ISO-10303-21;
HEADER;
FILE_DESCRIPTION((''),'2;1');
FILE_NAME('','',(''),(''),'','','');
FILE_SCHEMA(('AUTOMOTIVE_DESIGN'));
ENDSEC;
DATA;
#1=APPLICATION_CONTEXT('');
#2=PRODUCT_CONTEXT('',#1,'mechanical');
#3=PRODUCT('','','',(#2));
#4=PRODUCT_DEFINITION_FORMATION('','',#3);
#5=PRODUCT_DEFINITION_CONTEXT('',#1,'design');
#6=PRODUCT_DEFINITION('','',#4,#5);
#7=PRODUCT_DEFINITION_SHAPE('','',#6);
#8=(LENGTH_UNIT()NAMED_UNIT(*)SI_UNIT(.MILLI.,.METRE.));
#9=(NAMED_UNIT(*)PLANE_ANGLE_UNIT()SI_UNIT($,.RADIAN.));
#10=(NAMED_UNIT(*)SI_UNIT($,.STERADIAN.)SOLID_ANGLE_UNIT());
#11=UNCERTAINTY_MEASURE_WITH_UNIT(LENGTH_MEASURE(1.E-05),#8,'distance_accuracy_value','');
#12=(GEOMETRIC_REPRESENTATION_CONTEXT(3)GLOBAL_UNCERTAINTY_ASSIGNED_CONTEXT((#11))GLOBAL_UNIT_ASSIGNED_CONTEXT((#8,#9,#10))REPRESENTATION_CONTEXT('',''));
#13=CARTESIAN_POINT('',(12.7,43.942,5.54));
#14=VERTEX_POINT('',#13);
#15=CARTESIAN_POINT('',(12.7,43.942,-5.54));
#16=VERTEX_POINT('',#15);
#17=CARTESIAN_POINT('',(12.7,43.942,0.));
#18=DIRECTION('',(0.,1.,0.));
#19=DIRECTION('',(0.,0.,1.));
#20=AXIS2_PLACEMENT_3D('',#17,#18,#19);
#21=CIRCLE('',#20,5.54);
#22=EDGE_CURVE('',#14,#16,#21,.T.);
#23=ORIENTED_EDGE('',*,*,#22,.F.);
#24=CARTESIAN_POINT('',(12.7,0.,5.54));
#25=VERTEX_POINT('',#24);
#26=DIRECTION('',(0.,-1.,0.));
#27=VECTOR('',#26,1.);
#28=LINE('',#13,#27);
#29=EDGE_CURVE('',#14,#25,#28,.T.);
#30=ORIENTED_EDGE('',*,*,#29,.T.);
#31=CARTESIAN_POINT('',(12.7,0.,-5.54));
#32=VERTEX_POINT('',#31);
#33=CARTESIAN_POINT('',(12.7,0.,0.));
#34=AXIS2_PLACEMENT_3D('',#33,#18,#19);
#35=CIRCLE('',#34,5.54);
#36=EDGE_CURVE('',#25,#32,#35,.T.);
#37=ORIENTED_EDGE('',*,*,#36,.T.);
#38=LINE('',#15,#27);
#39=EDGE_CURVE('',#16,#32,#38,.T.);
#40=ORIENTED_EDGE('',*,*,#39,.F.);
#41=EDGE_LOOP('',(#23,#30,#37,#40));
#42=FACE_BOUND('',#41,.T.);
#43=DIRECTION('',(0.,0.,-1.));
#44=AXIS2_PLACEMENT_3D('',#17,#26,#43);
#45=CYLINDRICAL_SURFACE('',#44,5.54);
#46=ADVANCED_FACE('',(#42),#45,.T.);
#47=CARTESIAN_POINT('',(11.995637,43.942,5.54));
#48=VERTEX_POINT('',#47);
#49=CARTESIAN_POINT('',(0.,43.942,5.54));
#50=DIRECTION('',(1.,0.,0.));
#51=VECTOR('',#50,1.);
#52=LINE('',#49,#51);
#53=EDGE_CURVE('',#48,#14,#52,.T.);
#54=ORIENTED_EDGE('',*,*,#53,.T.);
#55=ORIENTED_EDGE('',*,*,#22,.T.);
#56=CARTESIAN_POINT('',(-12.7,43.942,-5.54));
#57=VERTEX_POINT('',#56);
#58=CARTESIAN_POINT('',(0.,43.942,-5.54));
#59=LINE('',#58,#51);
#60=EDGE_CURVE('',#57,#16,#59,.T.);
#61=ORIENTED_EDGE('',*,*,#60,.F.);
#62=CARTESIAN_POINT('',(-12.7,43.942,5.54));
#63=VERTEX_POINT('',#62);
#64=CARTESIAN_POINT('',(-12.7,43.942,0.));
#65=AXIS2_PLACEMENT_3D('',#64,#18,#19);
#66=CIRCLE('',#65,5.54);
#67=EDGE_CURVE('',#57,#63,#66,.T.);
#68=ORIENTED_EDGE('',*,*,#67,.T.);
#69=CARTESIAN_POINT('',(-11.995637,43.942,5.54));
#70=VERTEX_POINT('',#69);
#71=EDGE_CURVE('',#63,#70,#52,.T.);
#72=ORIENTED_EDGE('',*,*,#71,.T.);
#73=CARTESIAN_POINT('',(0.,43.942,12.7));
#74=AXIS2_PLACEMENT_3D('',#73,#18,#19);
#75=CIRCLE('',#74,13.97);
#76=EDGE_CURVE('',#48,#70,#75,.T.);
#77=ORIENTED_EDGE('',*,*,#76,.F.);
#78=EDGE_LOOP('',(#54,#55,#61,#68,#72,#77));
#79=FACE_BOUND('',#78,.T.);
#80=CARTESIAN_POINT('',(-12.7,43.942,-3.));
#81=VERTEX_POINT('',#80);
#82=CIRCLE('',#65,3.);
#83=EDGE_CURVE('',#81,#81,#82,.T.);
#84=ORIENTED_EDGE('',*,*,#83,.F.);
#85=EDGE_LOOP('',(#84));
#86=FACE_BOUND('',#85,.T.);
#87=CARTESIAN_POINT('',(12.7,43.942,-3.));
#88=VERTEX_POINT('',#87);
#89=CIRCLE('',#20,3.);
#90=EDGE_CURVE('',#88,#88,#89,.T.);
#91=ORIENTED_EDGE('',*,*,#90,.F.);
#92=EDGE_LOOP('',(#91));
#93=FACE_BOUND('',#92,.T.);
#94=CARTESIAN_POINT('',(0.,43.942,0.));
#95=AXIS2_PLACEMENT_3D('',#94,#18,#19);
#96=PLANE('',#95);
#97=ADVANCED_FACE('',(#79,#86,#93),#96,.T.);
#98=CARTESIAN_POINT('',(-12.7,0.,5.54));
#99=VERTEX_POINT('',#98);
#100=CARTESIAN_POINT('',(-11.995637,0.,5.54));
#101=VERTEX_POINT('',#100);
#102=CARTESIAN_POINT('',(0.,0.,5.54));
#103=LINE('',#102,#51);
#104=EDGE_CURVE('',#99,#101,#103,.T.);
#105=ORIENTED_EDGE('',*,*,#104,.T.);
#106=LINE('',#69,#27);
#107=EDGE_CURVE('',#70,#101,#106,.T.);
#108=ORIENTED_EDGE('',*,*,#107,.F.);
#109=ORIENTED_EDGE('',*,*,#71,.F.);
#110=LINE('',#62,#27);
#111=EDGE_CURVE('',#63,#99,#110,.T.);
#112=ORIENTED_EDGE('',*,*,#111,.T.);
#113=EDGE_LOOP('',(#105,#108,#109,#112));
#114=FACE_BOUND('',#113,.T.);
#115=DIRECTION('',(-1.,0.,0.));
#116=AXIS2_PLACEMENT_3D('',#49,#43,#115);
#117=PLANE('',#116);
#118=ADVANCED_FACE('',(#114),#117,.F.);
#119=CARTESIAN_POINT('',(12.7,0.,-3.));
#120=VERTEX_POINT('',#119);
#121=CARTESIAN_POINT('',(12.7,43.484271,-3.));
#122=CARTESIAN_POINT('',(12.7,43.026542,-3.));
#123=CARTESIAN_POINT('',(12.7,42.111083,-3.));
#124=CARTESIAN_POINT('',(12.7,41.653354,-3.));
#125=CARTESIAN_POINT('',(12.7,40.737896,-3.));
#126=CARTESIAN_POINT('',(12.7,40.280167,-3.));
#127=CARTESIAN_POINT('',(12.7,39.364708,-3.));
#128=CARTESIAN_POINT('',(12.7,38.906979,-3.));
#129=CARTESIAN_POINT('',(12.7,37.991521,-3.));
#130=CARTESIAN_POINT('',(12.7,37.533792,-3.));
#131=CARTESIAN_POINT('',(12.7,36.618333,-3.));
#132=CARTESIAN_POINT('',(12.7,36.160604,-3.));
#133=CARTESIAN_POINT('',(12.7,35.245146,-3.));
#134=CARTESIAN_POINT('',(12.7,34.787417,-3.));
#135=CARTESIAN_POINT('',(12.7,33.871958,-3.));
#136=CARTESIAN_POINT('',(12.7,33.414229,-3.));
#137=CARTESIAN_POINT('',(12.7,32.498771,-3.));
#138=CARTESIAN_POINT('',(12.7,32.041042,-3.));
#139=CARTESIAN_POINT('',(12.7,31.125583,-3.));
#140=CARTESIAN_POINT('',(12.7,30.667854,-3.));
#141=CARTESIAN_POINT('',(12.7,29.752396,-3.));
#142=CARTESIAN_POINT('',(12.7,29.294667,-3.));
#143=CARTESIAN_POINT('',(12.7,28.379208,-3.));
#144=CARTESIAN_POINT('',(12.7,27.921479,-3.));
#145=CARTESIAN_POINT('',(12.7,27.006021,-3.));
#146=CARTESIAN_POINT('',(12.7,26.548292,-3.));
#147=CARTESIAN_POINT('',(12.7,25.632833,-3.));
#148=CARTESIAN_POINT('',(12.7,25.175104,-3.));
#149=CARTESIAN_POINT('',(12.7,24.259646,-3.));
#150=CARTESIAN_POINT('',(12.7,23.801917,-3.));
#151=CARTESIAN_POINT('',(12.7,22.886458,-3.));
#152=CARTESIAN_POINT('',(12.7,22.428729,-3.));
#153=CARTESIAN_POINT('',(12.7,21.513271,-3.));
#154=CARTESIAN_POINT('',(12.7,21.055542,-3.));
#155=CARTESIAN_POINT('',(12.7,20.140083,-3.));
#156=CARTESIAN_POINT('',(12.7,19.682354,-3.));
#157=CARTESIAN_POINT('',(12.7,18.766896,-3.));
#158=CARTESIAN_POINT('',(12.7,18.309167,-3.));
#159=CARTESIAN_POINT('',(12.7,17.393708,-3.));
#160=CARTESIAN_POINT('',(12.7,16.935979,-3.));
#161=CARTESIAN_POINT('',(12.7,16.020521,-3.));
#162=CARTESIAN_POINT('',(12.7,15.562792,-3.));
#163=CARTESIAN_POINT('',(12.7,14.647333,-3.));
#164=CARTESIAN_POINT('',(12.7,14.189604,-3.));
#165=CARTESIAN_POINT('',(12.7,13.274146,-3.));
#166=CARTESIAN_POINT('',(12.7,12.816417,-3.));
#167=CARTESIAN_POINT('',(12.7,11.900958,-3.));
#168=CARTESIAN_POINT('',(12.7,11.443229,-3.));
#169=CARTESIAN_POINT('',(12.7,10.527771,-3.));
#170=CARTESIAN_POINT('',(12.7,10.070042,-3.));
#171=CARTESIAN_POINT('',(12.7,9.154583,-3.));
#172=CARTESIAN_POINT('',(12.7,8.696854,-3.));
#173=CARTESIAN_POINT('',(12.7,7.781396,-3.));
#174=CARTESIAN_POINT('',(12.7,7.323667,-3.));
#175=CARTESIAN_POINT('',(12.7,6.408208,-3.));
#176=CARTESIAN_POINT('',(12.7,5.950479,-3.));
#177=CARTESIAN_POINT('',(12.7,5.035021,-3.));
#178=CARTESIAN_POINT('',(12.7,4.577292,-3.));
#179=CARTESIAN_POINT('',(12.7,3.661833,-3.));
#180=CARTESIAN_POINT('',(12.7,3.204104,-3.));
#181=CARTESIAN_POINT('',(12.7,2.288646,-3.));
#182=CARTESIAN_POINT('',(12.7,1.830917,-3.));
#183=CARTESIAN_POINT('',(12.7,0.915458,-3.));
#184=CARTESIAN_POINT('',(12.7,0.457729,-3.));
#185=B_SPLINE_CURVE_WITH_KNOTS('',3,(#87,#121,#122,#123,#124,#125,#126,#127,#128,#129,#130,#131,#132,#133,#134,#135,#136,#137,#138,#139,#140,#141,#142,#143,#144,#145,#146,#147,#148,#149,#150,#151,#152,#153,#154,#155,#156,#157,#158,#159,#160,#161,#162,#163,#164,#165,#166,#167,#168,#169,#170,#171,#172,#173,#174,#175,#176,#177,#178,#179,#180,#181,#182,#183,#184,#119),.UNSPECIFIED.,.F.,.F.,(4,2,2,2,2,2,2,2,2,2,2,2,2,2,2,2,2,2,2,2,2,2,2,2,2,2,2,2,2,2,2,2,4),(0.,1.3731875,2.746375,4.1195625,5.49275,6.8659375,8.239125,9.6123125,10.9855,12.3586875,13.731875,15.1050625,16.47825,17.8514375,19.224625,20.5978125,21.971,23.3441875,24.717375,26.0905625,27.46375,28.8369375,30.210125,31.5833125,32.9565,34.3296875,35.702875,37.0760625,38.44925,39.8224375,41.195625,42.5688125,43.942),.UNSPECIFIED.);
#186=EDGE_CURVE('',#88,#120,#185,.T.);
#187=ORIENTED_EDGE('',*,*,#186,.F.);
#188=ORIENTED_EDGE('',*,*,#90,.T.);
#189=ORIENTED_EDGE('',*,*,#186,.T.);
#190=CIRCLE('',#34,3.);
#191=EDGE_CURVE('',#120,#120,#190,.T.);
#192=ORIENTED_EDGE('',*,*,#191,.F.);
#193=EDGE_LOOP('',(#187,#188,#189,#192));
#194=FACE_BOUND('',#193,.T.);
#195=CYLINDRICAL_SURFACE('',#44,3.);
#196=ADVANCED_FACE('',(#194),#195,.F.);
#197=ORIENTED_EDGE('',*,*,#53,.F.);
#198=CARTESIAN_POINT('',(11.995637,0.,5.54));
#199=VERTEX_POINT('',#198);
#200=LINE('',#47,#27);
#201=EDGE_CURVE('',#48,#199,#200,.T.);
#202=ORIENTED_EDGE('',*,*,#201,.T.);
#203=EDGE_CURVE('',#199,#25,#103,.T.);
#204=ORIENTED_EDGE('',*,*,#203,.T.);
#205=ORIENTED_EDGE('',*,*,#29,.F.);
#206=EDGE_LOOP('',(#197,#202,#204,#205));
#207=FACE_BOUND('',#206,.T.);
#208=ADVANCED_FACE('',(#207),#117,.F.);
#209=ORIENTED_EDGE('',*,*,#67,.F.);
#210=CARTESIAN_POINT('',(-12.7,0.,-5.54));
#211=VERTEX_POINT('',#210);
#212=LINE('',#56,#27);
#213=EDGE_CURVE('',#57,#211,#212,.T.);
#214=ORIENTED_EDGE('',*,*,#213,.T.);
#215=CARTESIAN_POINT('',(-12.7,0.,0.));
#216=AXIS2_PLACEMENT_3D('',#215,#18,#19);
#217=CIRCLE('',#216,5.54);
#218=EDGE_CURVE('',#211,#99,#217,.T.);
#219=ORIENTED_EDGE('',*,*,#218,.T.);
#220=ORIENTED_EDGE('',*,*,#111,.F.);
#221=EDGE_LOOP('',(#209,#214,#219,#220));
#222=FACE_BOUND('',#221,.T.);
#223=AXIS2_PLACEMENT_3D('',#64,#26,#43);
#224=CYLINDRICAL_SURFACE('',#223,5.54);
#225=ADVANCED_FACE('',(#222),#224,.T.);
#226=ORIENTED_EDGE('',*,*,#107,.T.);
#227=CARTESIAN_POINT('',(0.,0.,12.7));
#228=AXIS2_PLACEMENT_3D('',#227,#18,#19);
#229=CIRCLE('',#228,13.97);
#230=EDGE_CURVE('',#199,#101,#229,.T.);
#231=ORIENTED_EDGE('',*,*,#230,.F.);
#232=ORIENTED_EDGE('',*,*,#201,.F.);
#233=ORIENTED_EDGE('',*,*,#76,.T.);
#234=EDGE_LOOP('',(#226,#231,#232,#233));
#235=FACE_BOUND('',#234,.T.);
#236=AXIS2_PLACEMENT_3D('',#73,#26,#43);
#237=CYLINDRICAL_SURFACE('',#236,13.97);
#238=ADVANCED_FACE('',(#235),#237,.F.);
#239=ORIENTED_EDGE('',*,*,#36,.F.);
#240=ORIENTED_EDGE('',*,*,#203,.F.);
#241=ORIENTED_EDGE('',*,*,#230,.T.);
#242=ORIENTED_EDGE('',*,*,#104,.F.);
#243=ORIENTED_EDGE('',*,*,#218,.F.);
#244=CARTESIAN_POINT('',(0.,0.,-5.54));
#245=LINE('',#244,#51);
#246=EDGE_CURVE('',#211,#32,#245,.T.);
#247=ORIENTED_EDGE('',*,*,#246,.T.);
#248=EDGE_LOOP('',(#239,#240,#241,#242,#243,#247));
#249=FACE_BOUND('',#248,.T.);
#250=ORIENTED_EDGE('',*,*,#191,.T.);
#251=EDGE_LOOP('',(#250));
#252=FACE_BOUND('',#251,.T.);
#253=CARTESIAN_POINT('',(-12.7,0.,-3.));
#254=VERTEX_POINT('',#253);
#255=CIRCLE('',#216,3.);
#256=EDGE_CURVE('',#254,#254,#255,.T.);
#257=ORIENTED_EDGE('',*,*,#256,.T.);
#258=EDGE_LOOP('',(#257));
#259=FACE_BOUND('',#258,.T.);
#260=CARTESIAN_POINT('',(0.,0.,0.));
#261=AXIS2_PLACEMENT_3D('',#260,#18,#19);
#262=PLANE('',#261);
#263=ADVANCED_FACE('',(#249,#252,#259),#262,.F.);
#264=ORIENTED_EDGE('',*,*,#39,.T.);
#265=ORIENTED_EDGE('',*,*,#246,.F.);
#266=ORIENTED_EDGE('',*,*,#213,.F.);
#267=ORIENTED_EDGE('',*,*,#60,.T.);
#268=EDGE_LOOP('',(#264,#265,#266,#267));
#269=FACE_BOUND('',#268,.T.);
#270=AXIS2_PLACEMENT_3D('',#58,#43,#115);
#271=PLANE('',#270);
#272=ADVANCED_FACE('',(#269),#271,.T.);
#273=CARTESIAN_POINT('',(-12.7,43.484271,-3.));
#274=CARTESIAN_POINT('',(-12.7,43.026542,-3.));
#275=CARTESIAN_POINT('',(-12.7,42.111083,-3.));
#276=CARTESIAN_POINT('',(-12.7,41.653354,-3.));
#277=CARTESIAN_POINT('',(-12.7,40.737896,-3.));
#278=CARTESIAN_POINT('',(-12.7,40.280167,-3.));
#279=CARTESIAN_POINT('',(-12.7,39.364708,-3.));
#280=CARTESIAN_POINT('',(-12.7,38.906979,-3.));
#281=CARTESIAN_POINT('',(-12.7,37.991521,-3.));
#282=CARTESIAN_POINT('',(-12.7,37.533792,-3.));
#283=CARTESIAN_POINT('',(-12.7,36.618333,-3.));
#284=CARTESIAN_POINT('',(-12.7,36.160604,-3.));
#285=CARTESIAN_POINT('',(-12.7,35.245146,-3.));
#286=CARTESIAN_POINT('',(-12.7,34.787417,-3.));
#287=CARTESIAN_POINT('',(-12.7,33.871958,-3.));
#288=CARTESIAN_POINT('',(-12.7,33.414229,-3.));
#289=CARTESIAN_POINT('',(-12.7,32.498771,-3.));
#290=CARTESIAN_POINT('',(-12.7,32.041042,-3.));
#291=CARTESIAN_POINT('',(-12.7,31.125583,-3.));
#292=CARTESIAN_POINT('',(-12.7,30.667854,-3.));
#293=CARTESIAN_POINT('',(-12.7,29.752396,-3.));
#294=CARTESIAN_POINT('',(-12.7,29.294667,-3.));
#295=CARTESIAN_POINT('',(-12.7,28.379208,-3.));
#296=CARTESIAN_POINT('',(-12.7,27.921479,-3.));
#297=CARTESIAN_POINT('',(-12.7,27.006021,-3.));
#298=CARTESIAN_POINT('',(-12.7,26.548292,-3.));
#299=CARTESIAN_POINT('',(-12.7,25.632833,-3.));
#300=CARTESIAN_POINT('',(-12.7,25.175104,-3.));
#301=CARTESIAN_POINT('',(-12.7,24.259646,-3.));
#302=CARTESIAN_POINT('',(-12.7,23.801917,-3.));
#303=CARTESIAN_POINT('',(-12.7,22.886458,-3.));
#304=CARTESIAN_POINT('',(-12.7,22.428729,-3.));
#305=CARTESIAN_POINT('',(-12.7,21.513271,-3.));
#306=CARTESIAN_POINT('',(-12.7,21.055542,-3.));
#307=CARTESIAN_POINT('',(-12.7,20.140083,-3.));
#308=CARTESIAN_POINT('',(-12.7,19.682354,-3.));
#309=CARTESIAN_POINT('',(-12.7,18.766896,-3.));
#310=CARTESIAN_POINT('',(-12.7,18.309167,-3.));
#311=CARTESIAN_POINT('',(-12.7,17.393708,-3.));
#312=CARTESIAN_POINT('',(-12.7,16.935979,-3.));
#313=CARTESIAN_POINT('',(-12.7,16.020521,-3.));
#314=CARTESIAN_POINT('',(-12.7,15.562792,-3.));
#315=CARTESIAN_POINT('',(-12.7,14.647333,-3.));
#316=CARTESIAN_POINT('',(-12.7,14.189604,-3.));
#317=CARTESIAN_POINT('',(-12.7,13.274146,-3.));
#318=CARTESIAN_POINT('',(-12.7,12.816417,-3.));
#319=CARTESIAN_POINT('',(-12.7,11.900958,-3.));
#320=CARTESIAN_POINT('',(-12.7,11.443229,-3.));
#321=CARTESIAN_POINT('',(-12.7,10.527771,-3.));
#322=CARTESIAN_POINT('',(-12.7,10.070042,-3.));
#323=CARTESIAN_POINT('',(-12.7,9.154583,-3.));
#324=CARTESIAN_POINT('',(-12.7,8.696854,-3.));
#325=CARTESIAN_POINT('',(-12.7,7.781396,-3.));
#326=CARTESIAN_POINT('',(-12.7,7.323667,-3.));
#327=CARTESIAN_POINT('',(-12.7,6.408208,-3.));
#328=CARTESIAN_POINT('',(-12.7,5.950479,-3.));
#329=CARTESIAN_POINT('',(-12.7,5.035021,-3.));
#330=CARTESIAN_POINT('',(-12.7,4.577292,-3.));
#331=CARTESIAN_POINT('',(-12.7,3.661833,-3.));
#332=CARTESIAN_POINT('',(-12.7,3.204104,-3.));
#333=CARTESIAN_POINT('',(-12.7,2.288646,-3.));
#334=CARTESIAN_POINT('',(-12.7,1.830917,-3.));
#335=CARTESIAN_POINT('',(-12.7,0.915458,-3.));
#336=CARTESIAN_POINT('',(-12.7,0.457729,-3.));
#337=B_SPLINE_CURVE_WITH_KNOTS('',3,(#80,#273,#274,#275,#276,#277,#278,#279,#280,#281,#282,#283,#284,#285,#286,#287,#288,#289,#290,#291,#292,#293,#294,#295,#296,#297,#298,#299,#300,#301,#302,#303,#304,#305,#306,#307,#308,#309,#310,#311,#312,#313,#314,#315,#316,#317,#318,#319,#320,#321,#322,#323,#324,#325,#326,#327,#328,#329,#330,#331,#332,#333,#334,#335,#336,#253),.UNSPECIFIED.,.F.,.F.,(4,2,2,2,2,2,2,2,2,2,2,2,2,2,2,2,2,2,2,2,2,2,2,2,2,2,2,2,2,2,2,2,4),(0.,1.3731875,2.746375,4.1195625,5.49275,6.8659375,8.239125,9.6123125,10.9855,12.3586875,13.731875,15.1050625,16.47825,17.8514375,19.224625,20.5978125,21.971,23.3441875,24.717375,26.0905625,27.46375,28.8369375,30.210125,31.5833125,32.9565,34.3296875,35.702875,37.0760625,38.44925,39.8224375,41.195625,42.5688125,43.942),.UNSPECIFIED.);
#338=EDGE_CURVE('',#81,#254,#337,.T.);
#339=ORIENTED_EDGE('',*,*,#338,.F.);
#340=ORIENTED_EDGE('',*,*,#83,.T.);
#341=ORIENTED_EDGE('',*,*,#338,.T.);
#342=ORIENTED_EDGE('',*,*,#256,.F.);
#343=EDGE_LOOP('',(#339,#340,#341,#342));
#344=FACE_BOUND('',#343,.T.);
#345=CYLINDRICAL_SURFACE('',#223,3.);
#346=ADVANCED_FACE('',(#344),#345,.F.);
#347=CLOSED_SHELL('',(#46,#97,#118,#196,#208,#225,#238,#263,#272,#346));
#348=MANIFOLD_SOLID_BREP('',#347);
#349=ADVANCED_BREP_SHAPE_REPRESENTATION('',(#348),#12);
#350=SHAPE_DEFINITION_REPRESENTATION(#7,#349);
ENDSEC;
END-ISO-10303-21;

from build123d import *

# Parameters (mm, degrees)
SKETCH1_R           = 3
BOSS_EXTRUDE1_DEPTH = 43.942


with BuildPart() as part:
    # Sketch1 → Boss-Extrude1 (new body)
    with BuildSketch(Plane(origin=(0, 0, 0), x_dir=(1, 0, 0), z_dir=(0, 1, 0))):
        with BuildLine():
            ThreePointArc((-11.995636707, -5.54), (-9.328503626, -2.300965424), (-5.819871132, 0))
            ThreePointArc((-5.819871132, 0), (0, 1.27), (5.819871133, 0))
            ThreePointArc((5.819871133, 0), (9.328503626, -2.300965424), (11.995636707, -5.54))
            Line((11.995636707, -5.54), (12.7, -5.54))
            ThreePointArc((12.7, -5.54), (18.24, 0), (12.7, 5.54))
            Line((12.7, 5.54), (-12.7, 5.54))
            ThreePointArc((-12.7, 5.54), (-18.24, 0), (-12.7, -5.54))
            Line((-12.7, -5.54), (-11.995636707, -5.54))
        make_face()
        with Locations(Location((-12.7, 0, 0), (0, 0, 90))):
            Circle(SKETCH1_R, mode=Mode.SUBTRACT)
        with BuildLine():
            ThreePointArc((15.7, 0), (12.7, -3), (9.7, 0))
            ThreePointArc((9.7, 0), (12.7, 3), (15.7, 0))
        make_face(mode=Mode.SUBTRACT)
    extrude(amount=BOSS_EXTRUDE1_DEPTH)


solid = part.part
